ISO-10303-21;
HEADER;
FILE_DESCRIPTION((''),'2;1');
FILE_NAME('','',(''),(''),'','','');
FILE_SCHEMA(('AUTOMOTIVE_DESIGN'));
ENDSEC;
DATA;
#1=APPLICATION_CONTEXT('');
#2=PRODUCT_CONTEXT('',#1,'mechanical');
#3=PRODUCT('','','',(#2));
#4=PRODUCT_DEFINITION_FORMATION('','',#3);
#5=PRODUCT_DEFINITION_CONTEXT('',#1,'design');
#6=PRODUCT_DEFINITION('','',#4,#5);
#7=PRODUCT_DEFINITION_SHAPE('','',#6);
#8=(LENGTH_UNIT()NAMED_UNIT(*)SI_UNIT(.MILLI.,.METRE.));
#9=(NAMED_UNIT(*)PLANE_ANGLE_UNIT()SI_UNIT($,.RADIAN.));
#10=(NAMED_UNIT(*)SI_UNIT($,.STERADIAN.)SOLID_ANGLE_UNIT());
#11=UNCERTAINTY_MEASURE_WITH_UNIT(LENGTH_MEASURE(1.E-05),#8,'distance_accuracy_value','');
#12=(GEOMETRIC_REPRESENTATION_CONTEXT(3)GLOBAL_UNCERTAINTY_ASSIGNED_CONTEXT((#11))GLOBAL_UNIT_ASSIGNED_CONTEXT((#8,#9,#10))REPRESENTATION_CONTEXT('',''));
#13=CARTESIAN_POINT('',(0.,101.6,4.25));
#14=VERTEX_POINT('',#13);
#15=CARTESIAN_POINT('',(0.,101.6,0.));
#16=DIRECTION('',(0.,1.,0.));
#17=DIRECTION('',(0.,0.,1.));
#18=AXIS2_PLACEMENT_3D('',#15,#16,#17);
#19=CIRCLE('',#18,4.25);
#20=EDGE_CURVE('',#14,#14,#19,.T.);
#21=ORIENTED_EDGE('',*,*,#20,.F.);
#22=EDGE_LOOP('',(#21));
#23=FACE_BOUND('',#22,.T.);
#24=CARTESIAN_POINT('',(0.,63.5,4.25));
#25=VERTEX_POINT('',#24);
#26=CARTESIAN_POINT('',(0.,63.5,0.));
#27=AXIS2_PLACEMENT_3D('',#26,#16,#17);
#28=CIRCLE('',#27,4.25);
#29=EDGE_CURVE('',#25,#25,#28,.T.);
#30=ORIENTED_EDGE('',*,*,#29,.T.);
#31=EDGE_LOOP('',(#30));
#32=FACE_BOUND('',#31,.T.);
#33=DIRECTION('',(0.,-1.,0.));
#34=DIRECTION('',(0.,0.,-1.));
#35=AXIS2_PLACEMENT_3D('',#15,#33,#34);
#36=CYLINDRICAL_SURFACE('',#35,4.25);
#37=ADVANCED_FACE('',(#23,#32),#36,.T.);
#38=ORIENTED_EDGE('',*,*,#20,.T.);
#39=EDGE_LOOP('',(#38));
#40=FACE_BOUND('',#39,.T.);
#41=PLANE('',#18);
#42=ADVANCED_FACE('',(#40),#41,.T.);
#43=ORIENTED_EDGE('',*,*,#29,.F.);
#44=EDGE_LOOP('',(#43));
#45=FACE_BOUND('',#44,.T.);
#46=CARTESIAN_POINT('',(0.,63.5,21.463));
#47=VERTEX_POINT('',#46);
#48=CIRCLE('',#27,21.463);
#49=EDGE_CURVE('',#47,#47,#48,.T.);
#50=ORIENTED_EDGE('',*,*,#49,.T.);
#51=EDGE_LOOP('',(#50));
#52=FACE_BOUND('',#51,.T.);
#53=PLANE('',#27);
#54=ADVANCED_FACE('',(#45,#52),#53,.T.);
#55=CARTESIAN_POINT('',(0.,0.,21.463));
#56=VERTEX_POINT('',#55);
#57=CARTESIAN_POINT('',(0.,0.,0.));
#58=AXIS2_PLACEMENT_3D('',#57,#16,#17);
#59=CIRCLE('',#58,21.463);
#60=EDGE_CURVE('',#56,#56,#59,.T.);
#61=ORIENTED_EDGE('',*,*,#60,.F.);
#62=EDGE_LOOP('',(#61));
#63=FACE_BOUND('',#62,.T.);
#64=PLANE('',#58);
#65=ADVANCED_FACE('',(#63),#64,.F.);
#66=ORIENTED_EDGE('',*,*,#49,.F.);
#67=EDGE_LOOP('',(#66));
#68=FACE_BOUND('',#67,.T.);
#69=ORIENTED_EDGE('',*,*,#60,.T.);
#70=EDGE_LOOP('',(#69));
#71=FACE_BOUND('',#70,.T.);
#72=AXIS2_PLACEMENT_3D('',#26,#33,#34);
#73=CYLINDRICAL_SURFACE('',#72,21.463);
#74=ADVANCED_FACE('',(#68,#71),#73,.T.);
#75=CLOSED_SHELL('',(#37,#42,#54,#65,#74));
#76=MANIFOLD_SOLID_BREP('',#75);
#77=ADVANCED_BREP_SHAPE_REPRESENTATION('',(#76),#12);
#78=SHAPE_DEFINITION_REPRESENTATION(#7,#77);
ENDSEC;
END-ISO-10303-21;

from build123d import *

# Parameters (mm, degrees)
SKETCH1_R           = 21.463
BOSS_EXTRUDE1_DEPTH = 63.5
SKETCH2_R           = 4.25
BOSS_EXTRUDE2_DEPTH = 38.1


with BuildPart() as part:
    # Sketch1 → Boss-Extrude1 (new body)
    with BuildSketch(Plane(origin=(0, 0, 0), x_dir=(1, 0, 0), z_dir=(0, 1, 0))):
        Circle(SKETCH1_R)
    extrude(amount=BOSS_EXTRUDE1_DEPTH)

    # Sketch2 → Boss-Extrude2 (add)
    with BuildSketch(Plane(origin=(0, 63.5, 0), x_dir=(1, 0, 0), z_dir=(0, 1, 0))):
        Circle(SKETCH2_R)
    extrude(amount=BOSS_EXTRUDE2_DEPTH)


solid = part.part
